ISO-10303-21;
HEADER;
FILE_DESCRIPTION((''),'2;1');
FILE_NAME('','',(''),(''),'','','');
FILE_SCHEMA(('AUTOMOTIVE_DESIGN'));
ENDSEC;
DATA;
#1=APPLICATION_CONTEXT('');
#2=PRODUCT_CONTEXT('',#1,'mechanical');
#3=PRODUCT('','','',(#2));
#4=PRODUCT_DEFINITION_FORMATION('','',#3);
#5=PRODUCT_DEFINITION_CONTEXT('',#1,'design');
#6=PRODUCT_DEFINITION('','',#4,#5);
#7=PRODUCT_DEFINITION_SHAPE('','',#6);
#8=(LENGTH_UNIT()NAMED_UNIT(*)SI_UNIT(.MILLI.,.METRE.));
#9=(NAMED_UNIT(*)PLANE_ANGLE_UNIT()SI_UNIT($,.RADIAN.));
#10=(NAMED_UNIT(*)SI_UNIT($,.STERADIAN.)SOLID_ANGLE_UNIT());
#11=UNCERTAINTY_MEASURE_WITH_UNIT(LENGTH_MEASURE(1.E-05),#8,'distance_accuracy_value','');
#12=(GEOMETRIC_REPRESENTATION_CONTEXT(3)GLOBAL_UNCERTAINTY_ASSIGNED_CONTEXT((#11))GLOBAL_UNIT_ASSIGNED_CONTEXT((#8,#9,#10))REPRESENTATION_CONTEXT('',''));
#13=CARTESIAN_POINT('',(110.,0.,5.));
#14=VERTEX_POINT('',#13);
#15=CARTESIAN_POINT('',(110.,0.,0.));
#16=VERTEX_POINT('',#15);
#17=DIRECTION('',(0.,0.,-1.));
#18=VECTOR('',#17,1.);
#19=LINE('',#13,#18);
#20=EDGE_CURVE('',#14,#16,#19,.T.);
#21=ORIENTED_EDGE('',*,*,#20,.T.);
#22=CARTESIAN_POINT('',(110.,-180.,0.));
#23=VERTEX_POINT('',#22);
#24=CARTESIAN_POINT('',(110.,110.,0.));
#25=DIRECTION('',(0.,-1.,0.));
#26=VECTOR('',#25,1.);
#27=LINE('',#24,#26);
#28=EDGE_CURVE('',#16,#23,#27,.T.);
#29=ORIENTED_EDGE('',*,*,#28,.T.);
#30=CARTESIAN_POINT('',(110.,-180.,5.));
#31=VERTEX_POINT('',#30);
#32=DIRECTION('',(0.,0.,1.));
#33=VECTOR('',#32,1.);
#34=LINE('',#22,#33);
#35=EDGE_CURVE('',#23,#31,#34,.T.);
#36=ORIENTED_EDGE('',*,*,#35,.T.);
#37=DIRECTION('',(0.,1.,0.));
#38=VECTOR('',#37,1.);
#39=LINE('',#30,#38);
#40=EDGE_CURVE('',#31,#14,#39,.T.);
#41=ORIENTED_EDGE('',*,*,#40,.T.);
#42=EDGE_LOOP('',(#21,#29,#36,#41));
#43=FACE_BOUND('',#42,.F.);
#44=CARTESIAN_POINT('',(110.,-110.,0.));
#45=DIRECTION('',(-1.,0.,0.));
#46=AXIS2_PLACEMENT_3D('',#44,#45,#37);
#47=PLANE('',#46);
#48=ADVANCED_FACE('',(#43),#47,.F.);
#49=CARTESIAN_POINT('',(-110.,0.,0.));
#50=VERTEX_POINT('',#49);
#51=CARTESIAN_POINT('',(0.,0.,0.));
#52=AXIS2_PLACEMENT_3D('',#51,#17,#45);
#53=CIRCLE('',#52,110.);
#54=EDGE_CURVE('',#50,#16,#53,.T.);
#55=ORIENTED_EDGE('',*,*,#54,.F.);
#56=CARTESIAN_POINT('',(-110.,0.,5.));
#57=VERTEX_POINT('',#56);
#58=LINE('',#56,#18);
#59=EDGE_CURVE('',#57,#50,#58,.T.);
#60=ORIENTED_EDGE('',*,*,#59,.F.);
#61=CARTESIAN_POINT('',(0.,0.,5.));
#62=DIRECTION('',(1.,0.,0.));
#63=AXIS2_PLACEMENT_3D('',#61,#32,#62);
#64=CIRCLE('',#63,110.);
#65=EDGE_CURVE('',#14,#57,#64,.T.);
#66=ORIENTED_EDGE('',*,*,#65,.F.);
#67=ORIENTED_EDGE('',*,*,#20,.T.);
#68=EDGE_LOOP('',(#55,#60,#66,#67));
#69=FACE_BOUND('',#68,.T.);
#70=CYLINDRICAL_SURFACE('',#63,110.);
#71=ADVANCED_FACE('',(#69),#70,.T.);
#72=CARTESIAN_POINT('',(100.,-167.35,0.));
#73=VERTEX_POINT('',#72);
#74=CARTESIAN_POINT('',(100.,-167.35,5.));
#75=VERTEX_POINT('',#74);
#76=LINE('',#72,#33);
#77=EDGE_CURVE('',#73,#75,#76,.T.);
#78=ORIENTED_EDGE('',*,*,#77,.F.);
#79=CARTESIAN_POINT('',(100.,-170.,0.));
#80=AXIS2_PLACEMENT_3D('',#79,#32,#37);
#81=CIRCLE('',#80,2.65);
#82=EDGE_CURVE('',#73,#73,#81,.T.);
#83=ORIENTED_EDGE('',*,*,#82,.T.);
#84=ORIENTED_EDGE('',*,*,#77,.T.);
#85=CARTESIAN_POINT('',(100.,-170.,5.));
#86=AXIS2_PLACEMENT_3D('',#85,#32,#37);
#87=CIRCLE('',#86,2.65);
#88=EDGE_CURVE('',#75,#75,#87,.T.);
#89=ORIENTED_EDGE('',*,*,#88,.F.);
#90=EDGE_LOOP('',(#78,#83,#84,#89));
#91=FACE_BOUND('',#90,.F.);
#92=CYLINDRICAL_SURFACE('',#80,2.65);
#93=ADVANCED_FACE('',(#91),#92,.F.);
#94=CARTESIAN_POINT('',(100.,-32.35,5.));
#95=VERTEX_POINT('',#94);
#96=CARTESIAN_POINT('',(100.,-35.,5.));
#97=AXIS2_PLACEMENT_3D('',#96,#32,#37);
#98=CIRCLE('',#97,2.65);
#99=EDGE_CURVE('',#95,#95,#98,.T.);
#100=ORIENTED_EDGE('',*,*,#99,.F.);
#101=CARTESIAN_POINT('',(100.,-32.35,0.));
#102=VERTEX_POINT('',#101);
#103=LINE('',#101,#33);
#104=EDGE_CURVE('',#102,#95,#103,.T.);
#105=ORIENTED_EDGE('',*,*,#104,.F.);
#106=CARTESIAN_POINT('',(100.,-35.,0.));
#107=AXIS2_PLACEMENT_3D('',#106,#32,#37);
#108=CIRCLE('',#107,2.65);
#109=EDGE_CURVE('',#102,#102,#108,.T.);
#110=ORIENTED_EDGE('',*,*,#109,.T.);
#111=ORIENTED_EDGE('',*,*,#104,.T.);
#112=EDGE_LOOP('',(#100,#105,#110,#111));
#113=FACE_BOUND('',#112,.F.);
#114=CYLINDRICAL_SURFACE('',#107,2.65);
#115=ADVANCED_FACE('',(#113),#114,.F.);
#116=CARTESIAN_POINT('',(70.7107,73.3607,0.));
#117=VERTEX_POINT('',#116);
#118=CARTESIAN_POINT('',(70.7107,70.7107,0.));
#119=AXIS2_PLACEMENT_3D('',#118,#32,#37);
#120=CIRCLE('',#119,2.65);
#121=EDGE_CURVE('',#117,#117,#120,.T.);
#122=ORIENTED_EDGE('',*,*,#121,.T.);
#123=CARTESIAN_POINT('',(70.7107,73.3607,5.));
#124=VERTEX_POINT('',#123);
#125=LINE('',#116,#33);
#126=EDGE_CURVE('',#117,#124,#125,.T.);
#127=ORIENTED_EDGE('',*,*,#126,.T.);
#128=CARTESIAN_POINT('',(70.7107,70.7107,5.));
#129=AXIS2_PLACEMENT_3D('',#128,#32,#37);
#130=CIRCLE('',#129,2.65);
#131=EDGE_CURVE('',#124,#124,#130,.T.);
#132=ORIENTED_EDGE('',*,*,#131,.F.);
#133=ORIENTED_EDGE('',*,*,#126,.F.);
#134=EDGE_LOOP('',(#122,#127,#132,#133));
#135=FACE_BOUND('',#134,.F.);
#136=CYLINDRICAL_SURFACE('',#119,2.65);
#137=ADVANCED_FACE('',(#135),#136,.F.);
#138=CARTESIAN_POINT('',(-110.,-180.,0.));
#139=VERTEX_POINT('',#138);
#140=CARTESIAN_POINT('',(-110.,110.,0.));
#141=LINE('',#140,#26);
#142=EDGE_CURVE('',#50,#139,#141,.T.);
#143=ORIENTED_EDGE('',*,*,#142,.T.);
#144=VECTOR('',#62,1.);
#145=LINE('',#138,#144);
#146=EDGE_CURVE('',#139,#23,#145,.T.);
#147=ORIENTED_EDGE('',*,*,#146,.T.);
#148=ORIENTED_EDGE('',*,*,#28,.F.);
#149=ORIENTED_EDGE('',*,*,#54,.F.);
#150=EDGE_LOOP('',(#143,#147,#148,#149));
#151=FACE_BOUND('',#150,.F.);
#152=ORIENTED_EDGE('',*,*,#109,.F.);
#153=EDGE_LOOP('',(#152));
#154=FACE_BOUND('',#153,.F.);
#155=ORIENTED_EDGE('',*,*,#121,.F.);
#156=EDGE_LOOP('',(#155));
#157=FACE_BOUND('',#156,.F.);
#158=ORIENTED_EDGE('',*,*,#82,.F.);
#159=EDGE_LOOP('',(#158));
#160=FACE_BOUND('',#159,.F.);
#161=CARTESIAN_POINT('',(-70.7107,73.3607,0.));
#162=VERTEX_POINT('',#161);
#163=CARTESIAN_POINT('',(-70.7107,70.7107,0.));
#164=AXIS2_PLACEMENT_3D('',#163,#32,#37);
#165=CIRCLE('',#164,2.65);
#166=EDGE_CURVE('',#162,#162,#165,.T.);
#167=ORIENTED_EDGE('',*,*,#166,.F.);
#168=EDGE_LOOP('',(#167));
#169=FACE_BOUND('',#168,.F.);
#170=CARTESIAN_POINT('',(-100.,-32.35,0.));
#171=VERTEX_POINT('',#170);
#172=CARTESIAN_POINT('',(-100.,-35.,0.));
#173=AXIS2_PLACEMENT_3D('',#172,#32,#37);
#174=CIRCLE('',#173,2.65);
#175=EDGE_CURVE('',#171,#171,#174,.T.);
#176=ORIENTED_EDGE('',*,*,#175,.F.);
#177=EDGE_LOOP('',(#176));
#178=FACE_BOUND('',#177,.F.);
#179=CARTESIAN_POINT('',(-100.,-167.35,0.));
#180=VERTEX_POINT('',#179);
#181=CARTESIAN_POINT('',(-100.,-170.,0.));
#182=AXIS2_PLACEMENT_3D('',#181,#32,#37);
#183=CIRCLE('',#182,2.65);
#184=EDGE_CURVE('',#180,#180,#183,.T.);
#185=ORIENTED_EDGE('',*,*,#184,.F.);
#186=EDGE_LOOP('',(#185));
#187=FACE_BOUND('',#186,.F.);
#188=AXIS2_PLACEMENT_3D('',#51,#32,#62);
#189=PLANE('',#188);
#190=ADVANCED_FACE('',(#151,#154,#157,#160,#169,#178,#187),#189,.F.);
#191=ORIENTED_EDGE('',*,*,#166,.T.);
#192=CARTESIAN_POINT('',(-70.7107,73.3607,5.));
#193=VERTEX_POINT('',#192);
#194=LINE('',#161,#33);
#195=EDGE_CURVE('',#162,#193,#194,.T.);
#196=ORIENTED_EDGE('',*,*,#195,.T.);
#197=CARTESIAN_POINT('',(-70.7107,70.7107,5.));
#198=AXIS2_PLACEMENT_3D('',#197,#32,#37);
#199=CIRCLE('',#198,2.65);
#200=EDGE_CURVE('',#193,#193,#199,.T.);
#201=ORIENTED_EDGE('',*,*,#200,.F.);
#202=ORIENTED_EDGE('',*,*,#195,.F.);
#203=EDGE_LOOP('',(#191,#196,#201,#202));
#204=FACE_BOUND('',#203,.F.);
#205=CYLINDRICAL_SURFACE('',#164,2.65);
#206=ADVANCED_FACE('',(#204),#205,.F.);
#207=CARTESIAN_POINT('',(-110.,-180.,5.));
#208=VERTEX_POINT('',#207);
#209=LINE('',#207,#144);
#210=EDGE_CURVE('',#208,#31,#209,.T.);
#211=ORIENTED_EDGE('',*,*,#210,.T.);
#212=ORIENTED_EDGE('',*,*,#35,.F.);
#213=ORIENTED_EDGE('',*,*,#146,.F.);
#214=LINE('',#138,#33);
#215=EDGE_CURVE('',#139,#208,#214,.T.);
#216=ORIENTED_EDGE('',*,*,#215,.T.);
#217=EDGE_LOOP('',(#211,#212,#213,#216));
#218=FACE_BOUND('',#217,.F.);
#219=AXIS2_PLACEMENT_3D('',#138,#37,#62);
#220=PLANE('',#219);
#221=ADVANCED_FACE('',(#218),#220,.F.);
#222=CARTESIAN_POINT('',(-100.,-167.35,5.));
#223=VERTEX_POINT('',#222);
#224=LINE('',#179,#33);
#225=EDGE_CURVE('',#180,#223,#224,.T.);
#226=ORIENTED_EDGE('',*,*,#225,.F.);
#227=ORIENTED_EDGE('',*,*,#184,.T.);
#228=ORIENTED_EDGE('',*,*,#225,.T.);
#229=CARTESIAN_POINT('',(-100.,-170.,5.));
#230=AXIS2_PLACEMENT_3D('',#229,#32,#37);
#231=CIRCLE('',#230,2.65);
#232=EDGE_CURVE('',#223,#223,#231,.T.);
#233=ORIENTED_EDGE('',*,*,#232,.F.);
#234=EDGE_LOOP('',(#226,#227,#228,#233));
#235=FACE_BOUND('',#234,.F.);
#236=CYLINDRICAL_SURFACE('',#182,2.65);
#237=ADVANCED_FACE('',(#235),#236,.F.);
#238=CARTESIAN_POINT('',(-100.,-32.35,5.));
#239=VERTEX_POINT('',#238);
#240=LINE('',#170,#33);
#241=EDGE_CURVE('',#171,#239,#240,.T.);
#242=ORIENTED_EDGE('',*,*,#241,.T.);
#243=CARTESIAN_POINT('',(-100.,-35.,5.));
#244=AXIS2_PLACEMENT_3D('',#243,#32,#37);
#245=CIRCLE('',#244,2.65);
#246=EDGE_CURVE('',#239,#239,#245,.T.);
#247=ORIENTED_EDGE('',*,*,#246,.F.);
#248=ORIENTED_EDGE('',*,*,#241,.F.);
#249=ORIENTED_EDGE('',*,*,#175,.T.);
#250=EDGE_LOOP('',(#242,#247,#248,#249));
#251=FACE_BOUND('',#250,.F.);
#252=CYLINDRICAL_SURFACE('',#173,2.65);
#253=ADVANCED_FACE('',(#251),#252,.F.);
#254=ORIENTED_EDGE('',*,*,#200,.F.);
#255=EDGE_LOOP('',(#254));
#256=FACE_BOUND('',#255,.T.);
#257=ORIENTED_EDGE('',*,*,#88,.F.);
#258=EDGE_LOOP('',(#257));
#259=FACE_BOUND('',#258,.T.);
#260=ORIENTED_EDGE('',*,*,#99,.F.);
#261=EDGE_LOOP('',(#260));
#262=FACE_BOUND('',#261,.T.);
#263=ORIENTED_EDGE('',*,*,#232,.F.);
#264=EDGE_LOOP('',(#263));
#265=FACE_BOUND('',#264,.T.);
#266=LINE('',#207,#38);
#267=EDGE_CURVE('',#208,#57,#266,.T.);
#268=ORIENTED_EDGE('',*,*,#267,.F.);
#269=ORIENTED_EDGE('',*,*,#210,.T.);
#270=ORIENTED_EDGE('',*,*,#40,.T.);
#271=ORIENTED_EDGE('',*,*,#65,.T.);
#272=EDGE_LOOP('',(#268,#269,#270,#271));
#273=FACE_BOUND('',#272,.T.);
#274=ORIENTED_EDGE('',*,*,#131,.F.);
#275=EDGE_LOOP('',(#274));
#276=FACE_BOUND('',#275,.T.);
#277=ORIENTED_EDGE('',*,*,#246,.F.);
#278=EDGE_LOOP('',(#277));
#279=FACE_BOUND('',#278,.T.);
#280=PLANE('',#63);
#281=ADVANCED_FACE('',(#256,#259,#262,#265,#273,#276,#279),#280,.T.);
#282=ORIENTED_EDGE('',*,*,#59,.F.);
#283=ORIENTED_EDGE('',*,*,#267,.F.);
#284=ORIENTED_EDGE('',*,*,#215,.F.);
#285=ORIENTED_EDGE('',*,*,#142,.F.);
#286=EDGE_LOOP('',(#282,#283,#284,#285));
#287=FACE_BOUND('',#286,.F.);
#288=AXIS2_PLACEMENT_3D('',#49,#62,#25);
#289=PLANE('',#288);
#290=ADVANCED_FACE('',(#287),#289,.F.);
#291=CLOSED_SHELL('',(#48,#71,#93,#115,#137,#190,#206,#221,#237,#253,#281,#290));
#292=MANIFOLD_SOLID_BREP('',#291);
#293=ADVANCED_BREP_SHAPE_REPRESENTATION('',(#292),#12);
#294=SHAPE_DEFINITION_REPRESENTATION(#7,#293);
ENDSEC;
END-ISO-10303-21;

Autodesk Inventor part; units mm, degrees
ref_plane "YZ Plane" through (0, 0, 0) normal (1, 0, 0) x (0, 1, 0)
ref_plane "XZ Plane" through (0, 0, 0) normal (0, 1, 0) x (-1, 0, 0)
ref_plane "XY Plane" through (0, 0, 0) normal (0, 0, 1) x (1, 0, 0)
sketch "Skizze1" plane through (0, 0, 0) normal (0, 0, 1) x (1, 0, 0)
  line L0 (-110, -110) -> (110, -110)
  line L1 (110, -110) -> (110, 110)
  line L2 (110, 110) -> (-110, 110)
  line L3 (-110, 110) -> (-110, -110)
  line L4 (-110, -110) -> (110, 110) construction
  line L5 (110, -110) -> (-110, 110) construction
  circle A0 centre (0, 0) radius 95 construction
  circle A1 centre (0, 0) radius 105 construction
  line L6 (-90, 90) -> (-110, 90) construction
  line L7 (-110, 90) -> (-110, 110) construction
  line L8 (-110, 110) -> (-90, 110) construction
  line L9 (-90, 110) -> (-90, 90) construction
  line L10 (-90, 90) -> (-110, 110) construction
  line L11 (-110, 90) -> (-90, 110) construction
  line L12 (110, -110) -> (-110, -110)
  line L13 (-110, -110) -> (-110, -180)
  line L14 (-110, -180) -> (110, -180)
  line L15 (110, -180) -> (110, -110)
  line L16 (90, 90) -> (110, 90) construction
  line L17 (110, 90) -> (110, 110) construction
  line L18 (110, 110) -> (90, 110) construction
  line L19 (90, 110) -> (90, 90) construction
  line L20 (90, 90) -> (110, 110) construction
  line L21 (110, 90) -> (90, 110) construction
  line L22 (90, -160) -> (110, -160) construction
  line L23 (110, -160) -> (110, -180) construction
  line L24 (110, -180) -> (90, -180) construction
  line L25 (90, -180) -> (90, -160) construction
  line L26 (90, -160) -> (110, -180) construction
  line L27 (110, -160) -> (90, -180) construction
  line L28 (-90, -160) -> (-110, -160) construction
  line L29 (-110, -160) -> (-110, -180) construction
  line L30 (-110, -180) -> (-90, -180) construction
  line L31 (-90, -180) -> (-90, -160) construction
  line L32 (-90, -160) -> (-110, -180) construction
  line L33 (-110, -160) -> (-90, -180) construction
  line L34 (-90, -90) -> (-110, -90) construction
  line L35 (-110, -90) -> (-110, -110) construction
  line L36 (-110, -110) -> (-90, -110) construction
  line L37 (-90, -110) -> (-90, -90) construction
  line L38 (-90, -90) -> (-110, -110) construction
  line L39 (-110, -90) -> (-90, -110) construction
  line L40 (90, -90) -> (110, -90) construction
  line L41 (110, -90) -> (110, -110) construction
  line L42 (110, -110) -> (90, -110) construction
  line L43 (90, -110) -> (90, -90) construction
  line L44 (90, -90) -> (110, -110) construction
  line L45 (110, -90) -> (90, -110) construction
  circle A2 centre (0, 0) radius 87.5
  line L46 (110, 45.5635) -> (45.5635, 110) construction
  line L47 (-45.5635, 110) -> (-110, 45.5635) construction
  line L48 (45.5635, 110) -> (-45.5635, 110)
  line L49 (-45.5635, 110) -> (45.5635, 110) construction
  line L50 (45.5635, 110) -> (110, 45.5635) construction
  line L51 (110, 45.5635) -> (110, -45.5635) construction
  line L52 (110, -45.5635) -> (45.5635, -110) construction
  line L53 (45.5635, -110) -> (-45.5635, -110) construction
  line L54 (-45.5635, -110) -> (-110, -45.5635) construction
  line L55 (-110, -45.5635) -> (-110, 45.5635) construction
  line L56 (-110, 45.5635) -> (-45.5635, 110) construction
  line L57 (110, 0) -> (110, 110)
  line L58 (-110, 0) -> (-110, 110)
  line L59 (110, 0) -> (110, 110)
  line L60 (110, 110) -> (-110, 110)
  line L61 (-110, 110) -> (-110, 0)
  arc A3 (110, 0) -> (0, 110) centre (0, 0) ccw
  arc A4 (0, 110) -> (-110, 0) centre (0, 0) ccw
  circle A5 centre (100, -170) radius 18.5 construction
  circle A6 centre (100, -35) radius 18.5 construction
  circle A7 centre (70.7107, 70.7107) radius 18.5 construction
  circle A8 centre (-70.7107, 70.7107) radius 18.5 construction
  circle A9 centre (-100, -35) radius 18.5 construction
  circle A10 centre (0, 0) radius 100 construction
  line L62 (100, -170) -> (100, 100) construction
  line L63 (-100, -170) -> (-100, 100) construction
  line L64 (110, -20) -> (110, 0) construction
  line L65 (110, 0) -> (90, -70) construction
  line L66 (-110, -20) -> (-110, 0) construction
  point P0 (-100, -100)
  point P1 (100, -100)
  dimension "d0" = 190
  dimension "d1" = 10
  dimension "d2" = 220
  dimension "d3" = 20
  dimension "d4" = 70
  dimension "d14" = 175
  dimension "d15" = 45
  dimension "d16" = 45
  dimension "d21" = 37
  dimension "d25" = 10
  dimension "d26" = 145
  dimension "d27" = 145
  dimension "d28" = 10
  dimension "d29" = 200
extrude "Extrusion1" add sketch "Skizze1" along normal blind 5 contours L3 A4 A3 L1 L0 | L0 L15 L14 L13 | L3 L2 A4 | A3 L2 L1 | A2
hole "Bohrung1" at (100, -170, 0) at (-100, -170, 0) at (-100, 100, 0) at (100, 100, 0) at (-100, -35, 0) at (-70.7107, 70.7107, 0) at (70.7107, 70.7107, 0) at (100, -35, 0) direction (0, 0, 1) diameter 5.3 end through all
sketch "Skizze2" plane through (0, 0, 5) normal (0, 0, 1) x (1, 0, 0)
  circle A0 centre (-100, 100) radius 2.65 projected
  circle A1 centre (100, -170) radius 2.65 projected
  circle A2 centre (-100, -170) radius 2.65 projected
  circle A3 centre (100, 100) radius 2.65 projected
  line L0 (-110, 110) -> (-110, -180) projected
  line L1 (-110, -180) -> (110, -180) projected
  line L2 (110, -180) -> (110, 110) projected
  line L3 (110, 110) -> (-110, 110) projected
  arc A4 (110, 0) -> (-110, 0) centre (0, 0) ccw
  line L4 (110, -180) -> (110, 110) projected
  line L5 (-110, 110) -> (-110, -180) projected
  line L6 (110, 110) -> (-110, 110) projected
  dimension "d22" = 50
  dimension "d23" = 35
extrude "Extrusion3" cut sketch "Skizze2" against normal through all contours L3 A4 L0 | L3 L2 A4
ref_plane "Arbeitsebene1" through (0, -180, 0) normal (-1, 0, 0) x (0, 0, 1)
equation "\"d16\" = d15"
equation "\"d27\" = d26"
equation "\"d28\" = d25"
properties part number "BasePlate_A" material "Aluminium 6061"
